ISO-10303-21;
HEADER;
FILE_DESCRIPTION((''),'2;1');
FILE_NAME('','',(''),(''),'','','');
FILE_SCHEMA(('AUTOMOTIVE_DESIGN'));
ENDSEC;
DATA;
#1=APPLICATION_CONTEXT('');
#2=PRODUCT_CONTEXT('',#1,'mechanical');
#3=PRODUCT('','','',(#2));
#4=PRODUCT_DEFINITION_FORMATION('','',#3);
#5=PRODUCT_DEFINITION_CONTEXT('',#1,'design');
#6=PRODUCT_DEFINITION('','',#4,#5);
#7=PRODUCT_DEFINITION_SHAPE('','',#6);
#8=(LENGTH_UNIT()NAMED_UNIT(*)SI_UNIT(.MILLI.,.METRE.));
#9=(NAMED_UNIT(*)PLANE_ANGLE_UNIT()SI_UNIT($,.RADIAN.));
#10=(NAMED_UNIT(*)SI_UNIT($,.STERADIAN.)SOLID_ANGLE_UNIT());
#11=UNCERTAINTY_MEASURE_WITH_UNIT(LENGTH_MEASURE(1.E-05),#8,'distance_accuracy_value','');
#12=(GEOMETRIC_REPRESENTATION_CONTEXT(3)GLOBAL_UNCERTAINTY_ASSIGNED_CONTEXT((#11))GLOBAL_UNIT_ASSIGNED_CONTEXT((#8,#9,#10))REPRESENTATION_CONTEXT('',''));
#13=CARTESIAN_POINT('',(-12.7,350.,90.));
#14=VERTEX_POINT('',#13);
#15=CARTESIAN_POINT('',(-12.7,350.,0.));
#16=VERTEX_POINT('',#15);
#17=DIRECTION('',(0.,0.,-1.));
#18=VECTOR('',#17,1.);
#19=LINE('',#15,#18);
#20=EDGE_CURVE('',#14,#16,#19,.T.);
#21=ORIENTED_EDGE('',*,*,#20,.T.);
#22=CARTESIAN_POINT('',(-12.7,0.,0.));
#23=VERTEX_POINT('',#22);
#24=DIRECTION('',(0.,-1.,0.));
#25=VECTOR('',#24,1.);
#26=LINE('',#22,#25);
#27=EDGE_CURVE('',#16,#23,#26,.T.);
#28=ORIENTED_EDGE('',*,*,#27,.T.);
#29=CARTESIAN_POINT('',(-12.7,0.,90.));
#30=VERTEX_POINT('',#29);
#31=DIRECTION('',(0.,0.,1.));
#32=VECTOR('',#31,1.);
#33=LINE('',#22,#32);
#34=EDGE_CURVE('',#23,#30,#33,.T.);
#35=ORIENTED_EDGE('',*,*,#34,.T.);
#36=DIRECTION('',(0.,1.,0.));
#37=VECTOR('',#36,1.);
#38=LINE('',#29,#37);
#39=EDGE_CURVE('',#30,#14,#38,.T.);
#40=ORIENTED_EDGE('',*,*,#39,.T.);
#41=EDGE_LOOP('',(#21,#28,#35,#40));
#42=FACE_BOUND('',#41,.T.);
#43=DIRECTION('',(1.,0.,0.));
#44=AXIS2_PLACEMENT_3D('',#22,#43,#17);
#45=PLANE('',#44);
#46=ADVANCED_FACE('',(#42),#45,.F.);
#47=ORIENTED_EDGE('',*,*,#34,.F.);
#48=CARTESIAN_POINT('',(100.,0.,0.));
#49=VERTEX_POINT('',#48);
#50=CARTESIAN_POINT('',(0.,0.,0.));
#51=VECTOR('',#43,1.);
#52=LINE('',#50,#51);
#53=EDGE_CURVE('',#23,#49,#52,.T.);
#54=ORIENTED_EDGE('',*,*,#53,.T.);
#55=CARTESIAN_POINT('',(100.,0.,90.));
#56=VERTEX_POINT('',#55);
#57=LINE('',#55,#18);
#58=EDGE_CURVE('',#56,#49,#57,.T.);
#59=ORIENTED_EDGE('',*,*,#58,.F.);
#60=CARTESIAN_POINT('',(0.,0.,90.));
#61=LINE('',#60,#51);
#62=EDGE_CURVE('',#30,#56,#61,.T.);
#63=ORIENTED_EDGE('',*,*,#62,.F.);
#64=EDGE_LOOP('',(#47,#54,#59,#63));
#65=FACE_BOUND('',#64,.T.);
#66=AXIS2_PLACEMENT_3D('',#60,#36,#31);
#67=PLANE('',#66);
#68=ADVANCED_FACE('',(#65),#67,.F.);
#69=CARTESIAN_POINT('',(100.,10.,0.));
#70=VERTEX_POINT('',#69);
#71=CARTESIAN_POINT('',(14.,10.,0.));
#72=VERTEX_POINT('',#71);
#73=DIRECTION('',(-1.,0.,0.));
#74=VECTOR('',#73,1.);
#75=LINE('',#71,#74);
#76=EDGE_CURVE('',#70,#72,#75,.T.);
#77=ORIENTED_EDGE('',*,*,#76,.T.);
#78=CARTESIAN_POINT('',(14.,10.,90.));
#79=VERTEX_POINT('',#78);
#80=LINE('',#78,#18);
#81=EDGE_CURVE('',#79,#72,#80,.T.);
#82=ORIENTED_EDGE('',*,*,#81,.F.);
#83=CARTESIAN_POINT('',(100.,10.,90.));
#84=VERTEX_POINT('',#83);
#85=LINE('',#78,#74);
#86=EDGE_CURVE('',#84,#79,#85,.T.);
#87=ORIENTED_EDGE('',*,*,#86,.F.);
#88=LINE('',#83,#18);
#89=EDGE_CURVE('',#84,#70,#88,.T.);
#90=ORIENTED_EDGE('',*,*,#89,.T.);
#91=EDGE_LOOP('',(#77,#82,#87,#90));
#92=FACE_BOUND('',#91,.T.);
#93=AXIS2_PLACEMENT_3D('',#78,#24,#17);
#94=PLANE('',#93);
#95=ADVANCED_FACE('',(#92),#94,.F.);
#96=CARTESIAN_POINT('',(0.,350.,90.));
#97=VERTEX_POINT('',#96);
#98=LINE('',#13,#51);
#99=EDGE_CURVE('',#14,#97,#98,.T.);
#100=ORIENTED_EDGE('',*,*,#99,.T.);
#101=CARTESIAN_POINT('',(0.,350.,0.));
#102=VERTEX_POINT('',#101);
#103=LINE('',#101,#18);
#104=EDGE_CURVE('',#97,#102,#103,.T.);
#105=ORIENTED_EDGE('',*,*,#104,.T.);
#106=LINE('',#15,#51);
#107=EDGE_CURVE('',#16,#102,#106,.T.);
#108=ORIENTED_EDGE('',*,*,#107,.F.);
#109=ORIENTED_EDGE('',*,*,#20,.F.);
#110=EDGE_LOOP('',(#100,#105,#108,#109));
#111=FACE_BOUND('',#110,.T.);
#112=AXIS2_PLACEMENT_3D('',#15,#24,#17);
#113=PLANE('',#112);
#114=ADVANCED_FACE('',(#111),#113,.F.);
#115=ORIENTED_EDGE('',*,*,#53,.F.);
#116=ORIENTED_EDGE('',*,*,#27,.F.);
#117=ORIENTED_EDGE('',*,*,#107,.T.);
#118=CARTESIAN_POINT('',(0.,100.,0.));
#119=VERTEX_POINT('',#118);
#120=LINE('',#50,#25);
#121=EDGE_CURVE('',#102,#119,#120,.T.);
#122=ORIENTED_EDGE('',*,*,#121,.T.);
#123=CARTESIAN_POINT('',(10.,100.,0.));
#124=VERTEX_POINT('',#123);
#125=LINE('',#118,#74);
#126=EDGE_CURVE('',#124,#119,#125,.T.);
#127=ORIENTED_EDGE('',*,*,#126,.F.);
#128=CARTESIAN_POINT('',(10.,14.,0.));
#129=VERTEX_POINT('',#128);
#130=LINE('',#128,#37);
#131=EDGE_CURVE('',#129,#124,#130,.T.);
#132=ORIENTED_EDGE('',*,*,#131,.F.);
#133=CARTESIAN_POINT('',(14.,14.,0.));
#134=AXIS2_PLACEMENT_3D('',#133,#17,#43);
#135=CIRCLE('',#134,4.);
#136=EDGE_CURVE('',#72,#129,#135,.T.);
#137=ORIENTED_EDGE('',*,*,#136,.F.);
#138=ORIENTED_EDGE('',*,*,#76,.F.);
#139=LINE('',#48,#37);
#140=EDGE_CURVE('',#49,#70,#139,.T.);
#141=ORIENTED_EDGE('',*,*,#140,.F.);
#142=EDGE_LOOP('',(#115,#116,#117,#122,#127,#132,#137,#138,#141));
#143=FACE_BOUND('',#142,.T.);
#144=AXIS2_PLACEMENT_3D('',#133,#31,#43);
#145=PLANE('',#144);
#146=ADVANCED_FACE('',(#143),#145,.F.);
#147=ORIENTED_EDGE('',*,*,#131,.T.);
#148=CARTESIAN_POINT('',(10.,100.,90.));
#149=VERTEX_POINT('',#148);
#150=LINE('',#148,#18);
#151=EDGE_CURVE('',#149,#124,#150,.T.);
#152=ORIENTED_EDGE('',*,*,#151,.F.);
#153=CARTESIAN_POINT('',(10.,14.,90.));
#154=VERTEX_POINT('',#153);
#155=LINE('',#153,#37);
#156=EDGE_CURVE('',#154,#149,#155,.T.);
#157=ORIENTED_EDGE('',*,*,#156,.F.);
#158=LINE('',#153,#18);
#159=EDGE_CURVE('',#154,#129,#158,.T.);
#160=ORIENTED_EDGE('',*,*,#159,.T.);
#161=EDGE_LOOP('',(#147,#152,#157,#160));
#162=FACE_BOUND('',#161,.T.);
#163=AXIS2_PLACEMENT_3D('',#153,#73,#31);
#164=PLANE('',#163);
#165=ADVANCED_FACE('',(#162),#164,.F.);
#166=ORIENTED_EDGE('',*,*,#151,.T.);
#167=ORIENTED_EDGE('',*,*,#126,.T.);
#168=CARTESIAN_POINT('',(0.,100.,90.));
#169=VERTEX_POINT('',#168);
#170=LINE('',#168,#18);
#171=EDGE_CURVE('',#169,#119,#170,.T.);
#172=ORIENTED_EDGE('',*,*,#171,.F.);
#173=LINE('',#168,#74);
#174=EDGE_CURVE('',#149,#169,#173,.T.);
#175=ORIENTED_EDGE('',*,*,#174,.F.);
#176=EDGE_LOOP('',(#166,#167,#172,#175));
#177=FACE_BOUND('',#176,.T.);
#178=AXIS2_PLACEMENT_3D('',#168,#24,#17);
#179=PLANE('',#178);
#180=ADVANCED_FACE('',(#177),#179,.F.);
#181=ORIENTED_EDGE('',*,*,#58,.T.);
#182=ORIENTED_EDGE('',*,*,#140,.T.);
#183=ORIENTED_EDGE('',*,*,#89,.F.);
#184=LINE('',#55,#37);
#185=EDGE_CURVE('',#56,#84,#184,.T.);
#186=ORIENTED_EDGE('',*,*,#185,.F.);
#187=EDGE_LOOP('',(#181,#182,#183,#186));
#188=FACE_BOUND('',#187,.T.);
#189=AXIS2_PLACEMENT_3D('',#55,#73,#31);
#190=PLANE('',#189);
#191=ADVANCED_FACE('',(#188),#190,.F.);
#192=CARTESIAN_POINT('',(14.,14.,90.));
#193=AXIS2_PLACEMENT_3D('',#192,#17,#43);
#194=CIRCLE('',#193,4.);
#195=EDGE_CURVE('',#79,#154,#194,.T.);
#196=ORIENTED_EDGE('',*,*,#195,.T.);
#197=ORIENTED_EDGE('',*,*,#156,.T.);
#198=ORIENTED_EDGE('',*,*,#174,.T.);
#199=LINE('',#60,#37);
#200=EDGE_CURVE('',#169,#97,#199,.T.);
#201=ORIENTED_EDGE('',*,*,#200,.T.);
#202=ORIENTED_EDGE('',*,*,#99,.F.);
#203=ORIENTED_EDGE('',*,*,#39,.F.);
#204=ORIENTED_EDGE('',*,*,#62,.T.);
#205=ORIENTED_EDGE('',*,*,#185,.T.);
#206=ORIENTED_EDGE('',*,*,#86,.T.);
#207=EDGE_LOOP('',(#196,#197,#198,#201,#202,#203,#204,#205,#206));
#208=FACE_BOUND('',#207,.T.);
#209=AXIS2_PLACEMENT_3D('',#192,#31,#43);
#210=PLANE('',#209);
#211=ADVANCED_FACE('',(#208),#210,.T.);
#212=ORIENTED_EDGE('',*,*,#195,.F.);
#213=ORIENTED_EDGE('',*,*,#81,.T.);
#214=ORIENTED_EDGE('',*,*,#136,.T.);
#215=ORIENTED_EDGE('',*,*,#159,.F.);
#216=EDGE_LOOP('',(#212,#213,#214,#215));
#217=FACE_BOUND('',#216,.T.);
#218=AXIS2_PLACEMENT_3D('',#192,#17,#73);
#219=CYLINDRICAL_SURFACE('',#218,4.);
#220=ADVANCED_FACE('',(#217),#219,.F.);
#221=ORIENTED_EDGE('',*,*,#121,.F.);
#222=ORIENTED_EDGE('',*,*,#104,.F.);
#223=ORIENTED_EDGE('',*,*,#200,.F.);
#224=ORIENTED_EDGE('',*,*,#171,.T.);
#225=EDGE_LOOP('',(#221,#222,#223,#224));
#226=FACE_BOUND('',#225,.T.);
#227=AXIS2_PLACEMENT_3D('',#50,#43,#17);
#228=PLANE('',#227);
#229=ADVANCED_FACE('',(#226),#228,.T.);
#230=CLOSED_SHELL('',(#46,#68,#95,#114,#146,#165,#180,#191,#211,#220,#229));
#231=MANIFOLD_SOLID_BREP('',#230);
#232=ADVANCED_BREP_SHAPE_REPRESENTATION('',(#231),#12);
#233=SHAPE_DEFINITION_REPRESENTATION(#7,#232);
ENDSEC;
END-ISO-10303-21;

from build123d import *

# Parameters (mm, degrees)
SALIENTE_EXTRUIR1_DEPTH = 90
CROQUIS2_W              = 90
CROQUIS2_H              = 350
SALIENTE_EXTRUIR2_DEPTH = 12.7


with BuildPart() as part:
    # Croquis1 → Saliente-Extruir1 (new body)
    with BuildSketch(Plane.XY):
        with BuildLine():
            Line((0, 0), (0, 100))
            Line((0, 100), (10, 100))
            Line((10, 100), (10, 14))
            ThreePointArc((10, 14), (11.171572875, 11.171572875), (14, 10))
            Line((14, 10), (100, 10))
            Line((100, 10), (100, 0))
            Line((100, 0), (0, 0))
        make_face()
    extrude(amount=SALIENTE_EXTRUIR1_DEPTH)

    # Croquis2 → Saliente-Extruir2 (add)
    with BuildSketch(Plane.ZY):
        with Locations((45, 175)):
            Rectangle(CROQUIS2_W, CROQUIS2_H)
    extrude(amount=SALIENTE_EXTRUIR2_DEPTH)


solid = part.part
